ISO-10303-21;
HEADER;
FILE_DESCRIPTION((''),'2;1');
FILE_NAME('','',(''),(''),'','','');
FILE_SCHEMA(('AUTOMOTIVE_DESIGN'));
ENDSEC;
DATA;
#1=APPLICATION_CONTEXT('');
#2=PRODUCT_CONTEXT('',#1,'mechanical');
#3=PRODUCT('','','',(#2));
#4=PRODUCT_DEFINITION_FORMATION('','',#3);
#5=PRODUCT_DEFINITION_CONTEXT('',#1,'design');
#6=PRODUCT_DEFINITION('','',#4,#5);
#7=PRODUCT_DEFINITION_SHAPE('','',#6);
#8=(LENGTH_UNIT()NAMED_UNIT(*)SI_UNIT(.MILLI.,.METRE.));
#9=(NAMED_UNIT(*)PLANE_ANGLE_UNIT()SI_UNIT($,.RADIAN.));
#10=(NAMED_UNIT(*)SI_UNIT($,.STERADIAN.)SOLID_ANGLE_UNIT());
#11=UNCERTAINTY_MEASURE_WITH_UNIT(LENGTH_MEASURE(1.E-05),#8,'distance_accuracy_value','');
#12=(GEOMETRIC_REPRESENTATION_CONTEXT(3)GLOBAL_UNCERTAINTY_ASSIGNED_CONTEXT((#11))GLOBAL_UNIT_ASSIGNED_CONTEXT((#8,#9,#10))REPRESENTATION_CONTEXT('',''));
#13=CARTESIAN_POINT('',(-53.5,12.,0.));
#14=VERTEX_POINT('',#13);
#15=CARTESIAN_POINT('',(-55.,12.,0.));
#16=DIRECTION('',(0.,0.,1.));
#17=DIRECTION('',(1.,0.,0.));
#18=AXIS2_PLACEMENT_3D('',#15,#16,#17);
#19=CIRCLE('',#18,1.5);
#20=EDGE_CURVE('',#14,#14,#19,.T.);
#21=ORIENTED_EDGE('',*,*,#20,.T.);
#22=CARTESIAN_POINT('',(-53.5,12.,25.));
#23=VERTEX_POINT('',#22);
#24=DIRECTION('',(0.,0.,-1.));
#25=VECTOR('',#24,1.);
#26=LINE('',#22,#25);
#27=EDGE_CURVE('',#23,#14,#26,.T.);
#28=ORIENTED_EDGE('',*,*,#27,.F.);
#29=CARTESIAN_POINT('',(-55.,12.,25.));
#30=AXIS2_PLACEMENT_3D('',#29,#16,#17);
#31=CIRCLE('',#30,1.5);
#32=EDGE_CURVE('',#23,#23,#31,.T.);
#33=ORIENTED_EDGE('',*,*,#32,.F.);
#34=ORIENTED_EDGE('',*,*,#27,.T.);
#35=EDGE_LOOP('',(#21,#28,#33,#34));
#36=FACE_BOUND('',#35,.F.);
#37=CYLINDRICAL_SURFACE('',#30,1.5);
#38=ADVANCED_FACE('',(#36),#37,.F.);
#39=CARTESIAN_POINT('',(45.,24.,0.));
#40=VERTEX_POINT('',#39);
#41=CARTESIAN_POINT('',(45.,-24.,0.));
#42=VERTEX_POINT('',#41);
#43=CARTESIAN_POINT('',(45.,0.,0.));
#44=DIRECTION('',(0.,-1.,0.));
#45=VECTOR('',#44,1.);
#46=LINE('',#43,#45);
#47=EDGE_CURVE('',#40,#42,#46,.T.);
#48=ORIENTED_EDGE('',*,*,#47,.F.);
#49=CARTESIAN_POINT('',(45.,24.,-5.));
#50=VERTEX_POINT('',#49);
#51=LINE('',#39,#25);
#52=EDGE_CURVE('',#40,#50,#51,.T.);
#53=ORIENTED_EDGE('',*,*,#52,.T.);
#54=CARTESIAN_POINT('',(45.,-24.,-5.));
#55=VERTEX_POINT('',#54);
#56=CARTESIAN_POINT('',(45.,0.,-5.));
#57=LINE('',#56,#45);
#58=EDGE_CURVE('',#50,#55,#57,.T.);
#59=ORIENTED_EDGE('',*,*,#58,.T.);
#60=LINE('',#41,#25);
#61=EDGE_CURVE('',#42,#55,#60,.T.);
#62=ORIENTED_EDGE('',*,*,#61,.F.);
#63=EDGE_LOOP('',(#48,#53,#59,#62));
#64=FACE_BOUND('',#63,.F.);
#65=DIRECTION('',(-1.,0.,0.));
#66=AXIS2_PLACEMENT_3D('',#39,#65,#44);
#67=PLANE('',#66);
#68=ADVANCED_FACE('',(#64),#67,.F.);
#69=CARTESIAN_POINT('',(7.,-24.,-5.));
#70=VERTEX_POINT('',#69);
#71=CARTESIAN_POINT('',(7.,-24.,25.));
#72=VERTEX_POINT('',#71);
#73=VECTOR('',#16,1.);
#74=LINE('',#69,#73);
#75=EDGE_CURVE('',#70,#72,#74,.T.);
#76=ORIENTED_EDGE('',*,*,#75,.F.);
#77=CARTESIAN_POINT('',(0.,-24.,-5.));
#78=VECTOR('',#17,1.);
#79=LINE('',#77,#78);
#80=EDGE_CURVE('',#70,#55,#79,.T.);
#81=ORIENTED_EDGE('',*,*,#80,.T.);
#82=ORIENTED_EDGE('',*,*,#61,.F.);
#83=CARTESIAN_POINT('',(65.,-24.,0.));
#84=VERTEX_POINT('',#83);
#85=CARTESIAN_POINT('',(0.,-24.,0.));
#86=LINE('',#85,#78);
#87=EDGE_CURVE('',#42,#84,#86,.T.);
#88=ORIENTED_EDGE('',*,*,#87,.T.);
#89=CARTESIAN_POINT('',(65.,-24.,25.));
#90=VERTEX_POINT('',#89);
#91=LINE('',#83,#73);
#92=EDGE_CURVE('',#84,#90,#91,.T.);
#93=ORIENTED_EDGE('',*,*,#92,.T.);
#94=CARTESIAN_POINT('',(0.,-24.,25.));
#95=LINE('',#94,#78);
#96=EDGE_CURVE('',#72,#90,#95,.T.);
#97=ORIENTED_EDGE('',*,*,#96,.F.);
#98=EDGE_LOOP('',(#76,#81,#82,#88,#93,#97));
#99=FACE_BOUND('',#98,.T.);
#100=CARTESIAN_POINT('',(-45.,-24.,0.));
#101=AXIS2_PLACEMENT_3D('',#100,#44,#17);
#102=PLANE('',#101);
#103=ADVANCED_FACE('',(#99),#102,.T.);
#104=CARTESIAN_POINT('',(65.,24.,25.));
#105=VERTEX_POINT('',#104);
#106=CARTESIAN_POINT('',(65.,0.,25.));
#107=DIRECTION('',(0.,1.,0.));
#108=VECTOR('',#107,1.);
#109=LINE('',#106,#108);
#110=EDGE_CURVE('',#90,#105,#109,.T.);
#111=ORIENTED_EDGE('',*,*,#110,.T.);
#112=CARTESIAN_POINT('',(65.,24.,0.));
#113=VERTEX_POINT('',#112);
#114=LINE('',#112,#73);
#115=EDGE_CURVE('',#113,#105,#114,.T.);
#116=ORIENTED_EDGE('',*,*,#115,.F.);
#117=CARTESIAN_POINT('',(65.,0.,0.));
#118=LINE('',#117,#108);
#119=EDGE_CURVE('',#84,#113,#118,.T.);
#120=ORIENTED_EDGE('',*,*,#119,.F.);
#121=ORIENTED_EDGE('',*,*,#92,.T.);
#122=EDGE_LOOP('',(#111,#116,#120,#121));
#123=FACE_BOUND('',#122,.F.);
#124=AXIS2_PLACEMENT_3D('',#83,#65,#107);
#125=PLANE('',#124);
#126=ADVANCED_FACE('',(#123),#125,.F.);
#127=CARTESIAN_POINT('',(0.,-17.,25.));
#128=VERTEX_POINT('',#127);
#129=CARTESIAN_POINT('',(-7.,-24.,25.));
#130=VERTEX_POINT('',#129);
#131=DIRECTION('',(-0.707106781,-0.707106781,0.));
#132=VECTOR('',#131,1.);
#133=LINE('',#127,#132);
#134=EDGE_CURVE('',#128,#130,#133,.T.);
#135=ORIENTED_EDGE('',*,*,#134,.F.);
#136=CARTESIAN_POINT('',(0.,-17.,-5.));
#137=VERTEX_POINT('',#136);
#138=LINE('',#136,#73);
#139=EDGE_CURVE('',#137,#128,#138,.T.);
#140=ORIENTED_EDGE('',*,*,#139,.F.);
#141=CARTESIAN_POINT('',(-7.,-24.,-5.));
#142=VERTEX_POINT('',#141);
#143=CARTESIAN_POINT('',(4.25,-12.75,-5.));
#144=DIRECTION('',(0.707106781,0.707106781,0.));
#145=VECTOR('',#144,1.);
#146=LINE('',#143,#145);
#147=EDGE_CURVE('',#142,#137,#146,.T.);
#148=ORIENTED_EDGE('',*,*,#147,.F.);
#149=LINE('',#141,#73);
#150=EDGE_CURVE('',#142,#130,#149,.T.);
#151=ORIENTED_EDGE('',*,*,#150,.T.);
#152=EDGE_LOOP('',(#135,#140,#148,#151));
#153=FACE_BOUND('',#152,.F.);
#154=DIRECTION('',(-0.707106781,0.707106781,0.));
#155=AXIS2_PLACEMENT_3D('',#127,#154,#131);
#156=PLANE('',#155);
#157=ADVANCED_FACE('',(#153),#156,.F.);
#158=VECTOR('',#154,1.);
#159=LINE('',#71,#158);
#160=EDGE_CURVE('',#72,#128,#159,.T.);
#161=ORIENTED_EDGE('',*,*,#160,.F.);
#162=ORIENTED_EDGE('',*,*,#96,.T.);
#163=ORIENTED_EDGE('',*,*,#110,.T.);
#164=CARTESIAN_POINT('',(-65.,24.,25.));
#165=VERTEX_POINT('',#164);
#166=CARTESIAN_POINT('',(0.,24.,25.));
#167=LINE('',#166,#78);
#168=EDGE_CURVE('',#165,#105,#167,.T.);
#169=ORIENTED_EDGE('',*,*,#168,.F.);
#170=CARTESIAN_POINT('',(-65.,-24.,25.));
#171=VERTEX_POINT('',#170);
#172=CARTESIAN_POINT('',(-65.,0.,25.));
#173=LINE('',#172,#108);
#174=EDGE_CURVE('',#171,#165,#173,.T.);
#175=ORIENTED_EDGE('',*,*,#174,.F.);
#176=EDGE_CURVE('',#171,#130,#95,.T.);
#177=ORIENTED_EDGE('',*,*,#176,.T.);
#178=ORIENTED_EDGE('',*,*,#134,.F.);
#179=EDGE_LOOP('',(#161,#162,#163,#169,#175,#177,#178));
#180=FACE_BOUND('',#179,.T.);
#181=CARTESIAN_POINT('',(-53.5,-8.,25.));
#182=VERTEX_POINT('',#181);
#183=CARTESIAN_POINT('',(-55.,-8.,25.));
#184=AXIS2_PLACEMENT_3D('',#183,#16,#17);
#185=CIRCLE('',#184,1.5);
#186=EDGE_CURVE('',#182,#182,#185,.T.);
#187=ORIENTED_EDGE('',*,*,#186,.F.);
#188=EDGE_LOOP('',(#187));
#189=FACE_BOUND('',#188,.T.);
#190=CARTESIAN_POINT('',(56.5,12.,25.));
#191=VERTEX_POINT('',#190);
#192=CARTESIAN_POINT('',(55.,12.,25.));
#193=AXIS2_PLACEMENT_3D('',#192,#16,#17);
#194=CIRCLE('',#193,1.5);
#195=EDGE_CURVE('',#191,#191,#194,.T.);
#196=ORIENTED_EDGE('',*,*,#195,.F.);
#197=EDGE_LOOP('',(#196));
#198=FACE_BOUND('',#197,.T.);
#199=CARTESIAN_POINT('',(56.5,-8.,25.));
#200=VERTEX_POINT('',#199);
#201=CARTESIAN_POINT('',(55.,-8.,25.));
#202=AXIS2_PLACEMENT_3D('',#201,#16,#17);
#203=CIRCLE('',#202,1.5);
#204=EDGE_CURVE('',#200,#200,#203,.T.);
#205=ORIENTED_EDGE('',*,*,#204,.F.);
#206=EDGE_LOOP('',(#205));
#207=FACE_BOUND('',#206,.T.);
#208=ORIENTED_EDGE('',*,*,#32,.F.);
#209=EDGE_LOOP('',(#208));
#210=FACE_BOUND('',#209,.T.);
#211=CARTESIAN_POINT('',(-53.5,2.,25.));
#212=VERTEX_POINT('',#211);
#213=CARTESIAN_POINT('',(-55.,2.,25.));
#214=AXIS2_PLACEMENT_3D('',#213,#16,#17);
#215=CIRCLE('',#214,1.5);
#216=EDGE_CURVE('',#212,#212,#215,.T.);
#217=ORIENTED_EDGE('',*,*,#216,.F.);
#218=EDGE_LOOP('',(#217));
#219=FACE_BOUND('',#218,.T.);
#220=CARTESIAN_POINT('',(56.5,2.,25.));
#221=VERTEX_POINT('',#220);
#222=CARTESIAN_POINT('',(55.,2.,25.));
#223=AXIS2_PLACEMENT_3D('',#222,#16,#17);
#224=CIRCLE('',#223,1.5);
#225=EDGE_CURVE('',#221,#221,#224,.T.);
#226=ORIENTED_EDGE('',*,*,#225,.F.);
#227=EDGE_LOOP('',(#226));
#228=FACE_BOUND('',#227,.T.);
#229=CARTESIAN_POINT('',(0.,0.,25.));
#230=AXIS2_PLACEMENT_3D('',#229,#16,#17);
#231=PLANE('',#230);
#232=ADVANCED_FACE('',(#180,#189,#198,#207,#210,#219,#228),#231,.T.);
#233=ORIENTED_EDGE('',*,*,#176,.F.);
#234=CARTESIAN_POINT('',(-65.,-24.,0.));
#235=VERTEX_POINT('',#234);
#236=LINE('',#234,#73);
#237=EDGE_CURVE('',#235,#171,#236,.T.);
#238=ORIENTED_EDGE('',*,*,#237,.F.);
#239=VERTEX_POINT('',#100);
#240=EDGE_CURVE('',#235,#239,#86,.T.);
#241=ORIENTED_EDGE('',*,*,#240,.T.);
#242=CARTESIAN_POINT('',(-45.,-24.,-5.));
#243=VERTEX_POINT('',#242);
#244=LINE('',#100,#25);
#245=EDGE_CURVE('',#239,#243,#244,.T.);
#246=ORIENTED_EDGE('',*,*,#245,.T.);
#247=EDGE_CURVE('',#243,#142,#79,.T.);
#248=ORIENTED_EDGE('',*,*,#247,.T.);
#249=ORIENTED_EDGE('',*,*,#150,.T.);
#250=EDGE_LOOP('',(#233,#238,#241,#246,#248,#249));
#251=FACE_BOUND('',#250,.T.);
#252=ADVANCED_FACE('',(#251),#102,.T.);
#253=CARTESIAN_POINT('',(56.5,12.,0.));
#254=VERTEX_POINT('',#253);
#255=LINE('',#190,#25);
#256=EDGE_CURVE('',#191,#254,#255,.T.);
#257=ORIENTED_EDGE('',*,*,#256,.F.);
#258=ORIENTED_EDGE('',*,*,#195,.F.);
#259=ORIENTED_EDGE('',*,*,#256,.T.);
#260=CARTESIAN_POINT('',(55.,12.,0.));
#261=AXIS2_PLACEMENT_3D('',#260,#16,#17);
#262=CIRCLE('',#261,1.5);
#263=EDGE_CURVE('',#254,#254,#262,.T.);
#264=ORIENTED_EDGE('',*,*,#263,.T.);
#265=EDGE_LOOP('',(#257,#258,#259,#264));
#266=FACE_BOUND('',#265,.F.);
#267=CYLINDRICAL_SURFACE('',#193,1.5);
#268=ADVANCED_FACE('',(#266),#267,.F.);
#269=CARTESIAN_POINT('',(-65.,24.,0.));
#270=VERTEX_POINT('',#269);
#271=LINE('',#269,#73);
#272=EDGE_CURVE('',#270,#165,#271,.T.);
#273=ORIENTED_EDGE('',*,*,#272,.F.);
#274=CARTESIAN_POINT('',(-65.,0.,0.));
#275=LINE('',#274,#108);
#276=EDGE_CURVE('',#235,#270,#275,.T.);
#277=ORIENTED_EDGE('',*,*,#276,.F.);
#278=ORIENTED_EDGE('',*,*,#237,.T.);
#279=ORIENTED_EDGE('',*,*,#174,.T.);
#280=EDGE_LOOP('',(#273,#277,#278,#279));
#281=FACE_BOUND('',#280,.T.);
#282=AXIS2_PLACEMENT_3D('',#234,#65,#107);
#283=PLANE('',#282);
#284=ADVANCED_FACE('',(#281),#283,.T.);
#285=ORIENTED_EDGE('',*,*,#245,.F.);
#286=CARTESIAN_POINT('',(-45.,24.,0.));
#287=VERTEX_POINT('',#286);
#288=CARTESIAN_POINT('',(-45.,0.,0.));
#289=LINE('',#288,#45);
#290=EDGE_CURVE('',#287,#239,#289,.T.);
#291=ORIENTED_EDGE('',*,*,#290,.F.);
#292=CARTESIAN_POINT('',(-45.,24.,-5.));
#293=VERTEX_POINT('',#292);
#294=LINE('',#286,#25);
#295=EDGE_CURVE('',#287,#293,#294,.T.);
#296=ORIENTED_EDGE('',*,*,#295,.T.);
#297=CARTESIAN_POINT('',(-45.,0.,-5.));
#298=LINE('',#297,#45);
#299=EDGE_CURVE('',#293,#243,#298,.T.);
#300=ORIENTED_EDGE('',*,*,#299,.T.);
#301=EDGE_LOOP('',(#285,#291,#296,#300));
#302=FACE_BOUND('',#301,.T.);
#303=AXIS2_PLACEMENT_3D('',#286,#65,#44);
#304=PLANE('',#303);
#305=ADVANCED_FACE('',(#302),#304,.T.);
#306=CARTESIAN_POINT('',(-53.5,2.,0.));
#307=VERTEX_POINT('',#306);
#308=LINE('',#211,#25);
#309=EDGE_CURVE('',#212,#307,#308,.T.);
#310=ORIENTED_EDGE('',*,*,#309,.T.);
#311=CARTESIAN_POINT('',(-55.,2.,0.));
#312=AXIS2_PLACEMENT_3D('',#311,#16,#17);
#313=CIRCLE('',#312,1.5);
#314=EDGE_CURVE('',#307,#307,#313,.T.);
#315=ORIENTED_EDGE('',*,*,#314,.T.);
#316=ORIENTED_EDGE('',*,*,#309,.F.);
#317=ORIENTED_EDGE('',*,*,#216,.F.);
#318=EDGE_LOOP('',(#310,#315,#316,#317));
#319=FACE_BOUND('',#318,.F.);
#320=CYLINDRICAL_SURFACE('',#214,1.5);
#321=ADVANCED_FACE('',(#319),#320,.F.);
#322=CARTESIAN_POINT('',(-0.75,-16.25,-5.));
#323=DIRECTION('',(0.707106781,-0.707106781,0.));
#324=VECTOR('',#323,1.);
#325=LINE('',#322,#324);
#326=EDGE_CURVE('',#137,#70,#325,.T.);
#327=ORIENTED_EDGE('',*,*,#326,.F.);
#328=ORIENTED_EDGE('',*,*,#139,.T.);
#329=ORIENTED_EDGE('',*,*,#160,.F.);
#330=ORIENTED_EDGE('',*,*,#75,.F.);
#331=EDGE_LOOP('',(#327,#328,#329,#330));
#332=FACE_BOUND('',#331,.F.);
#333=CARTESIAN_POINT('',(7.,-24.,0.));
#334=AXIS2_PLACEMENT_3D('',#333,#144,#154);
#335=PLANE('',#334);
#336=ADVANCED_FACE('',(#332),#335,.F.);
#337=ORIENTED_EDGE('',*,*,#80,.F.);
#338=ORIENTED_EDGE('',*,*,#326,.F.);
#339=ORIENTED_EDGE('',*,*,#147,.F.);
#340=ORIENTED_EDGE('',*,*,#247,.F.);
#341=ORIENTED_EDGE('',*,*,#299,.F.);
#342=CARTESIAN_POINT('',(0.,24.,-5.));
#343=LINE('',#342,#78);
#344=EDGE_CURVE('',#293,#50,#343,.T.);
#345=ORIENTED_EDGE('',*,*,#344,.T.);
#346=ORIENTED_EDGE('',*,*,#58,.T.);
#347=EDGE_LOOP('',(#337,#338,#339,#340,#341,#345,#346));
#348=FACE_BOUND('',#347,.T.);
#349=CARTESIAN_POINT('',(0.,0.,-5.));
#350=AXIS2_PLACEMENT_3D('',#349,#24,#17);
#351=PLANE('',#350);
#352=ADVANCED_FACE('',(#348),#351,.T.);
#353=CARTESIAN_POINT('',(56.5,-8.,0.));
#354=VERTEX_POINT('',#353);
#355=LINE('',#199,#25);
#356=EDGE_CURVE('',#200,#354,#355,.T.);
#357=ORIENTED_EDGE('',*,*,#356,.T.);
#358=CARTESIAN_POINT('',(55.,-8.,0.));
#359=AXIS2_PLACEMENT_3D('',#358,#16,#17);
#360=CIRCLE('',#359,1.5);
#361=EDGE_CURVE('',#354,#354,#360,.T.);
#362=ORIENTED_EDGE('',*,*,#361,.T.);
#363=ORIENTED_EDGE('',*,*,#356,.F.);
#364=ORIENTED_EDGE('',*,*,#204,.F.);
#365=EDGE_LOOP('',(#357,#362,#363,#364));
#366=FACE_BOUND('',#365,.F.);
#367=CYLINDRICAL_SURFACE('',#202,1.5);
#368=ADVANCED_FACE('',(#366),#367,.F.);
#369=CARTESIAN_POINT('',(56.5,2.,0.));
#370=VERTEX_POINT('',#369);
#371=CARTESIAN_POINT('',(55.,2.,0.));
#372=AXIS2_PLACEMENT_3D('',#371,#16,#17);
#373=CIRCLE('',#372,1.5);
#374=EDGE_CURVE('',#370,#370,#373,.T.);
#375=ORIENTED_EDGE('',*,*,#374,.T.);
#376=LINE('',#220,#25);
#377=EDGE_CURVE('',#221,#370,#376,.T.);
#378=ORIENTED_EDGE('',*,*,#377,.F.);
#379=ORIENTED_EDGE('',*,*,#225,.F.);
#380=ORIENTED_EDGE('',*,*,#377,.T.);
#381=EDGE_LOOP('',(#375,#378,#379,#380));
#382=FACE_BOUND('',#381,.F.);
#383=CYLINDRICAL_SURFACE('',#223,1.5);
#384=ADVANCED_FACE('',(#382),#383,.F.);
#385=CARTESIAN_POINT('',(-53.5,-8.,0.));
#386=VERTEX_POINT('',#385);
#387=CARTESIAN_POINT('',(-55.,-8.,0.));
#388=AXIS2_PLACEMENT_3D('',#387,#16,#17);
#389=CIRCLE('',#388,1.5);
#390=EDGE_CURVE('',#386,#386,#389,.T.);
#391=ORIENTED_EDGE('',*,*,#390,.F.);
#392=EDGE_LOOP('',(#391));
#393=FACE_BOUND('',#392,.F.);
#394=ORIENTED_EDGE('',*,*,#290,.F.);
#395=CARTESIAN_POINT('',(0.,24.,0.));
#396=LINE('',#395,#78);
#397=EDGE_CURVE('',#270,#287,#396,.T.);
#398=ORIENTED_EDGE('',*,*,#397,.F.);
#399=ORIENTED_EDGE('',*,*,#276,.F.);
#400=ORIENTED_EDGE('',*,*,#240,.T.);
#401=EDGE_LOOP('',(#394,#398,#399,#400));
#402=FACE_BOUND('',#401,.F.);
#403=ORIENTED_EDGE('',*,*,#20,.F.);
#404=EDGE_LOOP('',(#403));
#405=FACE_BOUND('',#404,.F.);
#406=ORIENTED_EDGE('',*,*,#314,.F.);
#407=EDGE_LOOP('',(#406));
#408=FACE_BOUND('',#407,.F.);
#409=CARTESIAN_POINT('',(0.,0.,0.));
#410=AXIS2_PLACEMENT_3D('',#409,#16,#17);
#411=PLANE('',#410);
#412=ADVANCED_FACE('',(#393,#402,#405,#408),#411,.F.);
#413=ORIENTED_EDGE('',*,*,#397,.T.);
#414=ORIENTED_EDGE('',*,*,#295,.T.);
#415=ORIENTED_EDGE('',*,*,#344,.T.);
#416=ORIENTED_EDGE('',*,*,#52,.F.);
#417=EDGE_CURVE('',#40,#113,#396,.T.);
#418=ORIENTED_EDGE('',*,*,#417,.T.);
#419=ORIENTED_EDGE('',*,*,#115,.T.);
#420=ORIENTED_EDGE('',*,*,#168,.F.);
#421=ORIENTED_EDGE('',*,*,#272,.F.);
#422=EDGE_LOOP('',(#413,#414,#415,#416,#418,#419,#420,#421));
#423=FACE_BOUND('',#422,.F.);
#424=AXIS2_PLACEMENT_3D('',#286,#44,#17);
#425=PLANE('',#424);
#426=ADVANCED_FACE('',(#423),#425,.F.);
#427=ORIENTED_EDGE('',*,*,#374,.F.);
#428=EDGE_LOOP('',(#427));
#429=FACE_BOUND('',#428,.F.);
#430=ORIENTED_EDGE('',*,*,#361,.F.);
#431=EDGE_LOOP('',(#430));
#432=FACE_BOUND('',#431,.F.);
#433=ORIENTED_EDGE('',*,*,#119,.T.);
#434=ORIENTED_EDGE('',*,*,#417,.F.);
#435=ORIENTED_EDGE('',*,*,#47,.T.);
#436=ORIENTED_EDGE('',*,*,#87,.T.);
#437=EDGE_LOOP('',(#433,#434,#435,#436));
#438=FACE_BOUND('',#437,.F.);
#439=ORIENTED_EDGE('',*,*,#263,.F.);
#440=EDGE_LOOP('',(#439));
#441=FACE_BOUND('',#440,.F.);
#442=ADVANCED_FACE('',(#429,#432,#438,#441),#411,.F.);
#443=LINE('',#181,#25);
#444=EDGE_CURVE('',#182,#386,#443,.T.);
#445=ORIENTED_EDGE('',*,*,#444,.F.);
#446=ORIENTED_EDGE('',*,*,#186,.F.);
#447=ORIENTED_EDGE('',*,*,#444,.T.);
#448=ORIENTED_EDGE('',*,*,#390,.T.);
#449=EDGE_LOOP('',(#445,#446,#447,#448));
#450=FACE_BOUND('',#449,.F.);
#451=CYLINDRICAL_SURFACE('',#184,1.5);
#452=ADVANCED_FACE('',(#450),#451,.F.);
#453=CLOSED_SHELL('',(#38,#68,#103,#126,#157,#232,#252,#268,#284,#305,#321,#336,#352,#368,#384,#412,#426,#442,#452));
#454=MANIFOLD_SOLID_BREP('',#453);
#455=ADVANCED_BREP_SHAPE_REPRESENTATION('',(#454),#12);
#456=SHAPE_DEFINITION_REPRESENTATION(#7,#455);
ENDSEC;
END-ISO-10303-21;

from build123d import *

# Parameters (mm, degrees)
F0_W     = 130
F0_H     = 48
F1_DEPTH = 25
F3_DEPTH = 25.001
F4_R     = 1.5
F5_DEPTH = 25.001
F6_W     = 90
F6_H     = 48
F7_DEPTH = 5
F8_DEPTH = 25


with BuildPart() as f1:
    # F0 (on Top) → F1 (new body)
    with BuildSketch(Plane.XY):
        Rectangle(F0_W, F0_H)
    extrude(amount=F1_DEPTH)

    # F2 (on face) → F3 (cut, through all)
    with BuildSketch(Plane.XY.offset(25)):
        Polygon((7, -24), (0, -17), (-7, -24), align=None)
    extrude(amount=-F3_DEPTH, mode=Mode.SUBTRACT)

    # F4 (on face) → F5 (cut, through all)
    with BuildSketch(Plane.XY.offset(25)):
        with Locations((-55, 12)):
            Circle(F4_R)
        with Locations((-55, 2)):
            Circle(F4_R)
        with Locations((-55, -8)):
            Circle(F4_R)
        with Locations((55, 12)):
            Circle(F4_R)
        with Locations((55, 2)):
            Circle(F4_R)
        with Locations((55, -8)):
            Circle(F4_R)
    extrude(amount=-F5_DEPTH, mode=Mode.SUBTRACT)

    # F6 (on face) → F7 (join)
    with BuildSketch(Plane(origin=(0, 0, 0), x_dir=(1, 0, 0), z_dir=(0, 0, -1))):
        Rectangle(F6_W, F6_H)
    extrude(amount=F7_DEPTH)

    # F8 (cut): a face of the model
    f8_faces = [f1.faces().sort_by_distance(p)[0] for p in [
        (0, -21.6666666667, 0),
    ]]
    extrude(f8_faces, amount=-F8_DEPTH, mode=Mode.SUBTRACT)


solid = f1.part
